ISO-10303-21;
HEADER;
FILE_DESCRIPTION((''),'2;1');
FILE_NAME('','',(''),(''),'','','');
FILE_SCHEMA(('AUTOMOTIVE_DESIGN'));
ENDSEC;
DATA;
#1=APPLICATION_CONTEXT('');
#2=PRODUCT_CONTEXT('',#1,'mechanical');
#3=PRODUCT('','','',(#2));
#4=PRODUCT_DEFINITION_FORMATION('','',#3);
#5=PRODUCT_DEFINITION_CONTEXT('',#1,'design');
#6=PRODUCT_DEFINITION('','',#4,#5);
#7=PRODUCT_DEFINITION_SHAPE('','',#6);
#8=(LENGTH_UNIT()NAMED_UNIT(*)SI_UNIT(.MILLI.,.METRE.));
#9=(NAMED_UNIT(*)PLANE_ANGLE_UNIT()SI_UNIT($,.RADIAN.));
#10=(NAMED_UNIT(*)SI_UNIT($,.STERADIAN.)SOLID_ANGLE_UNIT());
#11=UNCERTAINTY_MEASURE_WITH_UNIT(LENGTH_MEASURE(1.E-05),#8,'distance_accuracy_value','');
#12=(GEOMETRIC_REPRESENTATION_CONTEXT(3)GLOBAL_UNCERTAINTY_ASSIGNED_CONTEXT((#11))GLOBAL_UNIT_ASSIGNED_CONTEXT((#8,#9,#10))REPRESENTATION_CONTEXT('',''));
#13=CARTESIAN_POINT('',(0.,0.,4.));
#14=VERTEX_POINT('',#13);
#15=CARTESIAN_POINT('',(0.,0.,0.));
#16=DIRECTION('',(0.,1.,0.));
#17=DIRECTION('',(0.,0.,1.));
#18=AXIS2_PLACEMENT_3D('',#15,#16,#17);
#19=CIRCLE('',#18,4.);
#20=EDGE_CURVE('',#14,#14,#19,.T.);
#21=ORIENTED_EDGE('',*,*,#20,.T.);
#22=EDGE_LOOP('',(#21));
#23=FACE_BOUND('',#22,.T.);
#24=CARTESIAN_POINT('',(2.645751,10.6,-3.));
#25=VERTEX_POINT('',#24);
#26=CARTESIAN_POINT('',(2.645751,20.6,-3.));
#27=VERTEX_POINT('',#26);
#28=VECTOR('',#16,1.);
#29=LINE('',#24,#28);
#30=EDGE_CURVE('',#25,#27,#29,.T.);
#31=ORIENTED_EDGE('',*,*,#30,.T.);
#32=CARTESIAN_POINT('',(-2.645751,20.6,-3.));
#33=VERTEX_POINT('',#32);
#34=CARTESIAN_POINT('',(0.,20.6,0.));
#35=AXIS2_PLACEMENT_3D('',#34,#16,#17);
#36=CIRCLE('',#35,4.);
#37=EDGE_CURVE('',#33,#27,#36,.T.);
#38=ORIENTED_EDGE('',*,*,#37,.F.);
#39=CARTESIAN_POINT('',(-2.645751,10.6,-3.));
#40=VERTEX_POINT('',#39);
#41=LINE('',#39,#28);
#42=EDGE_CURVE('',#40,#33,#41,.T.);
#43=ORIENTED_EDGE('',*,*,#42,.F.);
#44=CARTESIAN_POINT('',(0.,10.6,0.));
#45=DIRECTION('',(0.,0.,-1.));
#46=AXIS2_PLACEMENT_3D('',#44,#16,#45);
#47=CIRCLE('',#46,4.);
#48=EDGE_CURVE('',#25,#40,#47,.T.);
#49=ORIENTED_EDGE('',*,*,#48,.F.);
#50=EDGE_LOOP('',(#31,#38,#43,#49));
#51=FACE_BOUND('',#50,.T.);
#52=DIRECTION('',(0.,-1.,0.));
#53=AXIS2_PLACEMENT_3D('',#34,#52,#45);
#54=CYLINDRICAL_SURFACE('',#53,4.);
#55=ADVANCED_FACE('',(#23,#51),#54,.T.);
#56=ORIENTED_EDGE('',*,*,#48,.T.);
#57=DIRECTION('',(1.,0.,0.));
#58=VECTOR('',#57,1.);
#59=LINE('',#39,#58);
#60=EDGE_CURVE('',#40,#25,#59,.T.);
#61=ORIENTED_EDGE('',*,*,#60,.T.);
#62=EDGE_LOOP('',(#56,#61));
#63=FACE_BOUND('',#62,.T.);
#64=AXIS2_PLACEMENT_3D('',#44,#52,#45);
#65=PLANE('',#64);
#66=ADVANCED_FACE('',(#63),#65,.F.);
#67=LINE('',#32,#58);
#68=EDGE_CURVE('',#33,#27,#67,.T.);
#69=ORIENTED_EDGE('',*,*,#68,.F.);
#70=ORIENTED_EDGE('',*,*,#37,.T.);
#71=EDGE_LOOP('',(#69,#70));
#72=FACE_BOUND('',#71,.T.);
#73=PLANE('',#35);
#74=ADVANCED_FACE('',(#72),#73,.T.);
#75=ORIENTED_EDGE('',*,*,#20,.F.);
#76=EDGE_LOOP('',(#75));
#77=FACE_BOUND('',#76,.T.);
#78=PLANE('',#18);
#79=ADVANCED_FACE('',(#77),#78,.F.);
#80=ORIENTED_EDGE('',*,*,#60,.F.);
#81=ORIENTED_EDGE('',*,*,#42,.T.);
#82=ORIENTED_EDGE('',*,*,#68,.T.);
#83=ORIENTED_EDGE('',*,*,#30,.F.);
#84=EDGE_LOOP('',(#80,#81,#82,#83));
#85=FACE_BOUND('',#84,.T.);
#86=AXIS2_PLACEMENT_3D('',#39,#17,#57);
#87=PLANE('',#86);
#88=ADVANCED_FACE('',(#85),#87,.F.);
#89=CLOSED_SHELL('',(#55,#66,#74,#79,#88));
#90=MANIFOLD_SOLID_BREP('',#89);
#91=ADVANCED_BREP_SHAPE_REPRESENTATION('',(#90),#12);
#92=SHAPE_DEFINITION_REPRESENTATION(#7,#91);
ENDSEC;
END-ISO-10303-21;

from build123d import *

# Parameters (mm, degrees)
ESQUISSE1_R             = 4
EXTRUSION1_DEPTH        = 20.6
ENL_V_MAT_EXTRU_1_DEPTH = 10


with BuildPart() as part:
    # Esquisse1 → Extrusion1 (new body)
    with BuildSketch(Plane(origin=(0, 0, 0), x_dir=(1, 0, 0), z_dir=(0, 1, 0))):
        Circle(ESQUISSE1_R)
    extrude(amount=EXTRUSION1_DEPTH)

    # Esquisse2 → Enlèv. mat.-Extru.1 (cut)
    with BuildSketch(Plane(origin=(0, 20.6, 0), x_dir=(1, 0, 0), z_dir=(0, 1, 0))):
        with BuildLine():
            Line((-2.645751311, 3), (2.645751311, 3))
            ThreePointArc((2.645751311, 3), (0, 4), (-2.645751311, 3))
        make_face()
    extrude(amount=-ENL_V_MAT_EXTRU_1_DEPTH, mode=Mode.SUBTRACT)


solid = part.part
